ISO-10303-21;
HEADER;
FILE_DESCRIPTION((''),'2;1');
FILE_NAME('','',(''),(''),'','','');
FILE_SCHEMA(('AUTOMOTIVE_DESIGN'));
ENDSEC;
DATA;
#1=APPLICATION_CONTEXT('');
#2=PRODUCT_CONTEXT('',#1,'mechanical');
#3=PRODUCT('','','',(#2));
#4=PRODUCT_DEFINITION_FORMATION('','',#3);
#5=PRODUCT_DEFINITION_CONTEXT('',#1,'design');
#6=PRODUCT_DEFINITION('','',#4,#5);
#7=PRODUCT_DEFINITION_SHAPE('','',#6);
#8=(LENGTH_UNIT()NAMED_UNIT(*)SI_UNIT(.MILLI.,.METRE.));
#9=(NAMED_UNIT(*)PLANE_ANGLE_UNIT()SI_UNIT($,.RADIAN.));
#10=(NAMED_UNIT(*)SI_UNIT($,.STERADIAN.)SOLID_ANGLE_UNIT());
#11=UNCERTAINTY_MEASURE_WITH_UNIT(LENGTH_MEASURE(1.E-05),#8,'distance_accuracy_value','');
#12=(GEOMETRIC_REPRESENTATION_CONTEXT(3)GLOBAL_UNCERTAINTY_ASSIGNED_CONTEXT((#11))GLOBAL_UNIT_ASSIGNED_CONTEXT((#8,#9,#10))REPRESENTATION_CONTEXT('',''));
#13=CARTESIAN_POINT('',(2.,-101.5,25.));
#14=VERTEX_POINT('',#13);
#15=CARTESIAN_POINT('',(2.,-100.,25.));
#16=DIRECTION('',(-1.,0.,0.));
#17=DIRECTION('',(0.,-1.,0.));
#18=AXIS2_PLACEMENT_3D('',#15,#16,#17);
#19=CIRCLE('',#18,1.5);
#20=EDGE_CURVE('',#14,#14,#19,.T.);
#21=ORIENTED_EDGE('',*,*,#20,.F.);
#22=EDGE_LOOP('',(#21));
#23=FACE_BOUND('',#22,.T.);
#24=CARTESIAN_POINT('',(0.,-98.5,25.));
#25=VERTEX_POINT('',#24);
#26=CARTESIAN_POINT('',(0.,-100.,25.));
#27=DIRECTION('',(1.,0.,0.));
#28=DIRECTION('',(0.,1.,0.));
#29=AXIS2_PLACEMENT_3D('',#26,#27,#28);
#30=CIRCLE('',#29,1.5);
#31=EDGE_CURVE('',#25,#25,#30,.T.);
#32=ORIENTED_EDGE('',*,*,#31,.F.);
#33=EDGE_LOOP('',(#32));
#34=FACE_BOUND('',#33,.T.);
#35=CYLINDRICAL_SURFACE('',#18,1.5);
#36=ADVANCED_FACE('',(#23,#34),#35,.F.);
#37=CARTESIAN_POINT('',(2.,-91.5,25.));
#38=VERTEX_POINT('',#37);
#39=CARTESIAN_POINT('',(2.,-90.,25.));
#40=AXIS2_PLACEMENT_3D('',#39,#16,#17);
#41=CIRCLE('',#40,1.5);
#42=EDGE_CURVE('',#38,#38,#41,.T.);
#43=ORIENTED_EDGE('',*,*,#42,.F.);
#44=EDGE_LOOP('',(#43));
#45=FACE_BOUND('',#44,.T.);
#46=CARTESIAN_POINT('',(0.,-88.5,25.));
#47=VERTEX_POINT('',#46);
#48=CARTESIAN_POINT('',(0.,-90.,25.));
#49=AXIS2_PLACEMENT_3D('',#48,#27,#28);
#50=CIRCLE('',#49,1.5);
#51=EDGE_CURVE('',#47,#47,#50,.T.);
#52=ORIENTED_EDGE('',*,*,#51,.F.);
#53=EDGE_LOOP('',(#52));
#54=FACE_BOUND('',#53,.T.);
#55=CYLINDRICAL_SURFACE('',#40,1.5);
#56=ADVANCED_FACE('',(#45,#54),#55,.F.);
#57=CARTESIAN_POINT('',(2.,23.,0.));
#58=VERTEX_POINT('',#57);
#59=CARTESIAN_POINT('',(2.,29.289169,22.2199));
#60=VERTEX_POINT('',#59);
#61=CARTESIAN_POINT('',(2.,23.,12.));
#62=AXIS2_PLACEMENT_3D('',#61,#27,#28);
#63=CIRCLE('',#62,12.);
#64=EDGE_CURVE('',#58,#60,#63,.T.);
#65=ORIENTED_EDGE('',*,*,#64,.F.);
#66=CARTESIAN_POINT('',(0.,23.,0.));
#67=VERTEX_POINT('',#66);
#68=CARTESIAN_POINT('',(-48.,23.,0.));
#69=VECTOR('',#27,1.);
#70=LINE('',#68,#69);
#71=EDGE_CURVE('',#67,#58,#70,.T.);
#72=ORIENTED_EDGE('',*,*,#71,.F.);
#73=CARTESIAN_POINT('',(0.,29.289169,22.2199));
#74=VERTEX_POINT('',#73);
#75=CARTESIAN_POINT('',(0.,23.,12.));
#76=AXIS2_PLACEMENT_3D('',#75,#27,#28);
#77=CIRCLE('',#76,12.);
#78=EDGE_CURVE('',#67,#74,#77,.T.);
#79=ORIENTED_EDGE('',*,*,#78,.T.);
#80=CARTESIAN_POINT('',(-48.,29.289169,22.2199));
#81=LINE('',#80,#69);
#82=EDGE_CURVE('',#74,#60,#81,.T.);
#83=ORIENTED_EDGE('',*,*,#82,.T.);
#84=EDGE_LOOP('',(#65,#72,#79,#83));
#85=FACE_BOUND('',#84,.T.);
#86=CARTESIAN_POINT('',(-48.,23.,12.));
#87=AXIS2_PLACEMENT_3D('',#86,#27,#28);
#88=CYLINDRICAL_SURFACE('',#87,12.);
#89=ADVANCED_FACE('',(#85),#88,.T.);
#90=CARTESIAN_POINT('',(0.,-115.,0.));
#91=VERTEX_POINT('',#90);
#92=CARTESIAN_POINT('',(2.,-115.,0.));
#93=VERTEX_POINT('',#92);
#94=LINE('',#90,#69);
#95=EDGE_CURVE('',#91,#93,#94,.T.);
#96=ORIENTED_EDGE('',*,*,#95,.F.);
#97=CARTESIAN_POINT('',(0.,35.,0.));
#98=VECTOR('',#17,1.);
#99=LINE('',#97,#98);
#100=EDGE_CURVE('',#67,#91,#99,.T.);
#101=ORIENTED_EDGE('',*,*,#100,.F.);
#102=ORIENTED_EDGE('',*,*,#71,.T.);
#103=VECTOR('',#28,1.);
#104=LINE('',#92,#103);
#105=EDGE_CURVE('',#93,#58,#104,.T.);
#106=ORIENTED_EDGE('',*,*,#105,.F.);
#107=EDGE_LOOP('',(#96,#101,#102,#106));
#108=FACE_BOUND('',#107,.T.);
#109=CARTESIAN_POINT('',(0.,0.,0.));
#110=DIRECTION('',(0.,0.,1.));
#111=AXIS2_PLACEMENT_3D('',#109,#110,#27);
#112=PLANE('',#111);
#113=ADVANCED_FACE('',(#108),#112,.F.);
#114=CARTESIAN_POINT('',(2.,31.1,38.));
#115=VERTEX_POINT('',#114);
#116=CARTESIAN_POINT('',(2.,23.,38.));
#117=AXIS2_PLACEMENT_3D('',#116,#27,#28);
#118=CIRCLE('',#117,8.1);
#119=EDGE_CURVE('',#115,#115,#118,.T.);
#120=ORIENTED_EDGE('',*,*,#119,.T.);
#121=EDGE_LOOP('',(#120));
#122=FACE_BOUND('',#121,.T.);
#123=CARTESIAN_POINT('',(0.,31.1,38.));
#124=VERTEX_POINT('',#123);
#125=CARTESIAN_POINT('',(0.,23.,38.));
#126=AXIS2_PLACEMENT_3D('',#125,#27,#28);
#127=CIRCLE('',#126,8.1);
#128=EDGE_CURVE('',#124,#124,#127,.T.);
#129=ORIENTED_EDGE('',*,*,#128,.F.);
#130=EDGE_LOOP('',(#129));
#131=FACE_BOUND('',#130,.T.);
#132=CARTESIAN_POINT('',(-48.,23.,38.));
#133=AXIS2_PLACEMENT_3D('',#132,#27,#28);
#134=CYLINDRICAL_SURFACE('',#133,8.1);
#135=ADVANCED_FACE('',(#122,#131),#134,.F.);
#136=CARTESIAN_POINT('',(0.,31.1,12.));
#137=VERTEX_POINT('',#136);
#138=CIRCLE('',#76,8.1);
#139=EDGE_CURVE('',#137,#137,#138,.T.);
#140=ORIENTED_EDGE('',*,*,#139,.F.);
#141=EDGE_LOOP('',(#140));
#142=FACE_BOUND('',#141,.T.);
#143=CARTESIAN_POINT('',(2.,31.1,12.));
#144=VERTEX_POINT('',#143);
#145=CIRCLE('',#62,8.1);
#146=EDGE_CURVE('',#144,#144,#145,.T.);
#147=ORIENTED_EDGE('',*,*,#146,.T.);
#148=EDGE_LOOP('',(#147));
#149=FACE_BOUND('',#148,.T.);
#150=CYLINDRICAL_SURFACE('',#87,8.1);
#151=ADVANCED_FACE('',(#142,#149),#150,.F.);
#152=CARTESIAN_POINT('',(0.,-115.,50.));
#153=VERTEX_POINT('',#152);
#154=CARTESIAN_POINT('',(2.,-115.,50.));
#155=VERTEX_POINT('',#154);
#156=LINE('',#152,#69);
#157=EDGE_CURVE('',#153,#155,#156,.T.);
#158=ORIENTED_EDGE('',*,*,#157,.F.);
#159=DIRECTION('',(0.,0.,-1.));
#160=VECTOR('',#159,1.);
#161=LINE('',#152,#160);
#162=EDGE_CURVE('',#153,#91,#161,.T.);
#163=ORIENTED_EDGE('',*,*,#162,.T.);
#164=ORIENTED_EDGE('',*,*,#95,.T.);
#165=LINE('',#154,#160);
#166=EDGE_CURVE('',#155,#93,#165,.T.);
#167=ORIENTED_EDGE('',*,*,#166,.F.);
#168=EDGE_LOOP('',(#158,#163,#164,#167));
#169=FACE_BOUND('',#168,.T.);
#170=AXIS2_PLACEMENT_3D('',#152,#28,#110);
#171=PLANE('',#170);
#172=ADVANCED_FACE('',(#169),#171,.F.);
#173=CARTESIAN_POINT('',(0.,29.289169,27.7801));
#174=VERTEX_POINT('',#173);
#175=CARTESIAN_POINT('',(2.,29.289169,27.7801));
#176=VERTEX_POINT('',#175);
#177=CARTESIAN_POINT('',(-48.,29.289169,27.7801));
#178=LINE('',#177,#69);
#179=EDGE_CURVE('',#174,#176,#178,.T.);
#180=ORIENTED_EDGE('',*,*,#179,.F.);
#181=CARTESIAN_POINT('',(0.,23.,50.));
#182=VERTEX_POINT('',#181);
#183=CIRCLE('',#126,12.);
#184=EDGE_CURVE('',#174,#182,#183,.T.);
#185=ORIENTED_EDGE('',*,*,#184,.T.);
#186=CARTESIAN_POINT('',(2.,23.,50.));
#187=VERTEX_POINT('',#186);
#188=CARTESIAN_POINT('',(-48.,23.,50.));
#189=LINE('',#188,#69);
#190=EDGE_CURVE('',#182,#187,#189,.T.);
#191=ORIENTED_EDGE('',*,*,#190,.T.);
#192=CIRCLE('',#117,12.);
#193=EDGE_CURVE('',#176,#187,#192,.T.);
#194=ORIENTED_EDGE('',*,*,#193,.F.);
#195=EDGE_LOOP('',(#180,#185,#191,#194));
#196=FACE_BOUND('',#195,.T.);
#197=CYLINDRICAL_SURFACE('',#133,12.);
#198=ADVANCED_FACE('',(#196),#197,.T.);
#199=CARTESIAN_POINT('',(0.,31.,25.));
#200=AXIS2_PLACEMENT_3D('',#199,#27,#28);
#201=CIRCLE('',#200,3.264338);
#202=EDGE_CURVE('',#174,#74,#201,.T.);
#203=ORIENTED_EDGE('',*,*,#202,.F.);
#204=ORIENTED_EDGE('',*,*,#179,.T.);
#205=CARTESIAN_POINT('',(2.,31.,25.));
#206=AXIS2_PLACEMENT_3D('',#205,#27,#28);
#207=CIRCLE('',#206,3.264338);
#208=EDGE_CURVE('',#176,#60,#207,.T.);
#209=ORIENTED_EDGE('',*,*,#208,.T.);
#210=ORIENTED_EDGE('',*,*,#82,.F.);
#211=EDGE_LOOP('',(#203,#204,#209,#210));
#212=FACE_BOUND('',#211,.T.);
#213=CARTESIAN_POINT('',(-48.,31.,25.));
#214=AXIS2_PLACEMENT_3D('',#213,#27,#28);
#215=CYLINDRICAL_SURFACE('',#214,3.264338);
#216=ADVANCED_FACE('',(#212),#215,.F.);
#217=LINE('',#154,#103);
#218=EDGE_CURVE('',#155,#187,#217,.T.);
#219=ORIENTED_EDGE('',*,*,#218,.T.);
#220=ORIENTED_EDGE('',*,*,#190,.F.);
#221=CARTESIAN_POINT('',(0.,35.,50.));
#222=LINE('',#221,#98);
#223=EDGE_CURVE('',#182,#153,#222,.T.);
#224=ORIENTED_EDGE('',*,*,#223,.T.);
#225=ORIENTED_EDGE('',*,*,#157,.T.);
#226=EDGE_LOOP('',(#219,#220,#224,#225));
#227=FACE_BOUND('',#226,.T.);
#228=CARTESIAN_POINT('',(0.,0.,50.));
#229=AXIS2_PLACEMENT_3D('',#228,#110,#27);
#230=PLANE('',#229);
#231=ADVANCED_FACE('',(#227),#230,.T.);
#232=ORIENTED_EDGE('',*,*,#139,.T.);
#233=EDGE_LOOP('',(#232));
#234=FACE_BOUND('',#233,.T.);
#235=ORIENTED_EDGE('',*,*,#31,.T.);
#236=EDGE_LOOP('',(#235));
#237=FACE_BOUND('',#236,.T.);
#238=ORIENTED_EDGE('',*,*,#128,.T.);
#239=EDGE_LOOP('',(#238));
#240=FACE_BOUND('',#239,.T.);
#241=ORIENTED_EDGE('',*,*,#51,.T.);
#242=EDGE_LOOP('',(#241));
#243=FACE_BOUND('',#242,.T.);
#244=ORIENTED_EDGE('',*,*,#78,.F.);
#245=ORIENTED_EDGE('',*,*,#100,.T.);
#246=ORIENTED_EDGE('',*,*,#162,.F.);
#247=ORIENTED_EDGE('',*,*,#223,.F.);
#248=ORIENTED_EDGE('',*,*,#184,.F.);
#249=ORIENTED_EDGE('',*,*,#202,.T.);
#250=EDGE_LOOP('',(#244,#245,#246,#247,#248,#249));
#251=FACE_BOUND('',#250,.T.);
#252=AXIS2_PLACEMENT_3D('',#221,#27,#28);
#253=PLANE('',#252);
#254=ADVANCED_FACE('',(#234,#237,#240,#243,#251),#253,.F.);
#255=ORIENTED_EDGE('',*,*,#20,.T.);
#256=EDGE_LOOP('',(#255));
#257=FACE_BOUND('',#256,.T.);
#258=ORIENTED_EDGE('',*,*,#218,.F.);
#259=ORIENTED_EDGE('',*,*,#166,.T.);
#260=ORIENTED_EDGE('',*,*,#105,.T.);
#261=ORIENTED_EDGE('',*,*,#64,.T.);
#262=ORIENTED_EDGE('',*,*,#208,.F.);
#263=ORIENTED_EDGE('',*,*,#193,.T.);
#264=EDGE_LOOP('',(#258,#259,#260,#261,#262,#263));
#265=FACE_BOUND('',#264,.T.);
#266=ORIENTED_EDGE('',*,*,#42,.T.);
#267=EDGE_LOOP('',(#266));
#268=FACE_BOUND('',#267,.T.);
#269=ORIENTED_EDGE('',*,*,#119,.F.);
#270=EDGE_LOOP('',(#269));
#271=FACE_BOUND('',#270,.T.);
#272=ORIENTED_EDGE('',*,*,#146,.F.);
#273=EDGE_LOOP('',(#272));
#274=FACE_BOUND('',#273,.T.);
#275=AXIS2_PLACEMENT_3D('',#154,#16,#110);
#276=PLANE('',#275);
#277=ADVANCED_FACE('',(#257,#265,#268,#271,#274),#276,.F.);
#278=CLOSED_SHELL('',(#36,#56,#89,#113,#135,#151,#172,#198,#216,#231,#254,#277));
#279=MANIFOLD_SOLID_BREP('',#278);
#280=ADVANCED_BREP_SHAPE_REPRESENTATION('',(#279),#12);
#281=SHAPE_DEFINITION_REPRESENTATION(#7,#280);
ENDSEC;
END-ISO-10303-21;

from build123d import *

# Parameters (mm, degrees)
SKETCH1_W               = 2
SKETCH1_H               = 150
BOSS_EXTRUDE1_DEPTH     = 50
SKETCH3_R               = 8.1
CUT_EXTRUDE2_DEPTH      = 50
SKETCH4_R               = 1.5
CUT_EXTRUDE3_DEPTH      = 1
CUT_EXTRUDE3_DEPTH_BACK = 3


with BuildPart() as part:
    # Sketch1 → Boss-Extrude1 (new body)
    with BuildSketch(Plane.XY):
        with Locations((1, -40)):
            Rectangle(SKETCH1_W, SKETCH1_H)
    extrude(amount=BOSS_EXTRUDE1_DEPTH)

    # Sketch3 → Cut-Extrude2 (cut)
    with BuildSketch(Plane(origin=(2, 0, 0), x_dir=(0, 0, -1), z_dir=(1, 0, 0))):
        with Locations((-12, 23)):
            Circle(SKETCH3_R)
        with Locations((-38, 23)):
            Circle(SKETCH3_R)
        with BuildLine():
            ThreePointArc((-50, 23), (-46.485281374, 31.485281374), (-38, 35))
            Line((-38, 35), (-50, 35))
            Line((-50, 35), (-50, 23))
        make_face()
        with BuildLine():
            ThreePointArc((-22.2198998, 29.289169108), (-17.8536301, 33.475448184), (-12, 35))
            Line((-12, 35), (-38, 35))
            ThreePointArc((-38, 35), (-32.1463699, 33.475448184), (-27.7801002, 29.289169108))
            ThreePointArc((-27.7801002, 29.289169108), (-25, 27.735662478), (-22.2198998, 29.289169108))
        make_face()
        with BuildLine():
            Line((0, 35), (-12, 35))
            ThreePointArc((-12, 35), (-3.514718626, 31.485281374), (0, 23))
            Line((0, 23), (0, 35))
        make_face()
    extrude(amount=-CUT_EXTRUDE2_DEPTH, mode=Mode.SUBTRACT)

    # Sketch4 → Cut-Extrude3 (cut, two sides)
    with BuildSketch(Plane.ZY) as cut_extrude3_sk:
        with Locations((25, -100)):
            Circle(SKETCH4_R)
        with Locations((25, -90)):
            Circle(SKETCH4_R)
    extrude(amount=CUT_EXTRUDE3_DEPTH, mode=Mode.SUBTRACT)
    extrude(cut_extrude3_sk.sketch, amount=-CUT_EXTRUDE3_DEPTH_BACK, mode=Mode.SUBTRACT)


solid = part.part
